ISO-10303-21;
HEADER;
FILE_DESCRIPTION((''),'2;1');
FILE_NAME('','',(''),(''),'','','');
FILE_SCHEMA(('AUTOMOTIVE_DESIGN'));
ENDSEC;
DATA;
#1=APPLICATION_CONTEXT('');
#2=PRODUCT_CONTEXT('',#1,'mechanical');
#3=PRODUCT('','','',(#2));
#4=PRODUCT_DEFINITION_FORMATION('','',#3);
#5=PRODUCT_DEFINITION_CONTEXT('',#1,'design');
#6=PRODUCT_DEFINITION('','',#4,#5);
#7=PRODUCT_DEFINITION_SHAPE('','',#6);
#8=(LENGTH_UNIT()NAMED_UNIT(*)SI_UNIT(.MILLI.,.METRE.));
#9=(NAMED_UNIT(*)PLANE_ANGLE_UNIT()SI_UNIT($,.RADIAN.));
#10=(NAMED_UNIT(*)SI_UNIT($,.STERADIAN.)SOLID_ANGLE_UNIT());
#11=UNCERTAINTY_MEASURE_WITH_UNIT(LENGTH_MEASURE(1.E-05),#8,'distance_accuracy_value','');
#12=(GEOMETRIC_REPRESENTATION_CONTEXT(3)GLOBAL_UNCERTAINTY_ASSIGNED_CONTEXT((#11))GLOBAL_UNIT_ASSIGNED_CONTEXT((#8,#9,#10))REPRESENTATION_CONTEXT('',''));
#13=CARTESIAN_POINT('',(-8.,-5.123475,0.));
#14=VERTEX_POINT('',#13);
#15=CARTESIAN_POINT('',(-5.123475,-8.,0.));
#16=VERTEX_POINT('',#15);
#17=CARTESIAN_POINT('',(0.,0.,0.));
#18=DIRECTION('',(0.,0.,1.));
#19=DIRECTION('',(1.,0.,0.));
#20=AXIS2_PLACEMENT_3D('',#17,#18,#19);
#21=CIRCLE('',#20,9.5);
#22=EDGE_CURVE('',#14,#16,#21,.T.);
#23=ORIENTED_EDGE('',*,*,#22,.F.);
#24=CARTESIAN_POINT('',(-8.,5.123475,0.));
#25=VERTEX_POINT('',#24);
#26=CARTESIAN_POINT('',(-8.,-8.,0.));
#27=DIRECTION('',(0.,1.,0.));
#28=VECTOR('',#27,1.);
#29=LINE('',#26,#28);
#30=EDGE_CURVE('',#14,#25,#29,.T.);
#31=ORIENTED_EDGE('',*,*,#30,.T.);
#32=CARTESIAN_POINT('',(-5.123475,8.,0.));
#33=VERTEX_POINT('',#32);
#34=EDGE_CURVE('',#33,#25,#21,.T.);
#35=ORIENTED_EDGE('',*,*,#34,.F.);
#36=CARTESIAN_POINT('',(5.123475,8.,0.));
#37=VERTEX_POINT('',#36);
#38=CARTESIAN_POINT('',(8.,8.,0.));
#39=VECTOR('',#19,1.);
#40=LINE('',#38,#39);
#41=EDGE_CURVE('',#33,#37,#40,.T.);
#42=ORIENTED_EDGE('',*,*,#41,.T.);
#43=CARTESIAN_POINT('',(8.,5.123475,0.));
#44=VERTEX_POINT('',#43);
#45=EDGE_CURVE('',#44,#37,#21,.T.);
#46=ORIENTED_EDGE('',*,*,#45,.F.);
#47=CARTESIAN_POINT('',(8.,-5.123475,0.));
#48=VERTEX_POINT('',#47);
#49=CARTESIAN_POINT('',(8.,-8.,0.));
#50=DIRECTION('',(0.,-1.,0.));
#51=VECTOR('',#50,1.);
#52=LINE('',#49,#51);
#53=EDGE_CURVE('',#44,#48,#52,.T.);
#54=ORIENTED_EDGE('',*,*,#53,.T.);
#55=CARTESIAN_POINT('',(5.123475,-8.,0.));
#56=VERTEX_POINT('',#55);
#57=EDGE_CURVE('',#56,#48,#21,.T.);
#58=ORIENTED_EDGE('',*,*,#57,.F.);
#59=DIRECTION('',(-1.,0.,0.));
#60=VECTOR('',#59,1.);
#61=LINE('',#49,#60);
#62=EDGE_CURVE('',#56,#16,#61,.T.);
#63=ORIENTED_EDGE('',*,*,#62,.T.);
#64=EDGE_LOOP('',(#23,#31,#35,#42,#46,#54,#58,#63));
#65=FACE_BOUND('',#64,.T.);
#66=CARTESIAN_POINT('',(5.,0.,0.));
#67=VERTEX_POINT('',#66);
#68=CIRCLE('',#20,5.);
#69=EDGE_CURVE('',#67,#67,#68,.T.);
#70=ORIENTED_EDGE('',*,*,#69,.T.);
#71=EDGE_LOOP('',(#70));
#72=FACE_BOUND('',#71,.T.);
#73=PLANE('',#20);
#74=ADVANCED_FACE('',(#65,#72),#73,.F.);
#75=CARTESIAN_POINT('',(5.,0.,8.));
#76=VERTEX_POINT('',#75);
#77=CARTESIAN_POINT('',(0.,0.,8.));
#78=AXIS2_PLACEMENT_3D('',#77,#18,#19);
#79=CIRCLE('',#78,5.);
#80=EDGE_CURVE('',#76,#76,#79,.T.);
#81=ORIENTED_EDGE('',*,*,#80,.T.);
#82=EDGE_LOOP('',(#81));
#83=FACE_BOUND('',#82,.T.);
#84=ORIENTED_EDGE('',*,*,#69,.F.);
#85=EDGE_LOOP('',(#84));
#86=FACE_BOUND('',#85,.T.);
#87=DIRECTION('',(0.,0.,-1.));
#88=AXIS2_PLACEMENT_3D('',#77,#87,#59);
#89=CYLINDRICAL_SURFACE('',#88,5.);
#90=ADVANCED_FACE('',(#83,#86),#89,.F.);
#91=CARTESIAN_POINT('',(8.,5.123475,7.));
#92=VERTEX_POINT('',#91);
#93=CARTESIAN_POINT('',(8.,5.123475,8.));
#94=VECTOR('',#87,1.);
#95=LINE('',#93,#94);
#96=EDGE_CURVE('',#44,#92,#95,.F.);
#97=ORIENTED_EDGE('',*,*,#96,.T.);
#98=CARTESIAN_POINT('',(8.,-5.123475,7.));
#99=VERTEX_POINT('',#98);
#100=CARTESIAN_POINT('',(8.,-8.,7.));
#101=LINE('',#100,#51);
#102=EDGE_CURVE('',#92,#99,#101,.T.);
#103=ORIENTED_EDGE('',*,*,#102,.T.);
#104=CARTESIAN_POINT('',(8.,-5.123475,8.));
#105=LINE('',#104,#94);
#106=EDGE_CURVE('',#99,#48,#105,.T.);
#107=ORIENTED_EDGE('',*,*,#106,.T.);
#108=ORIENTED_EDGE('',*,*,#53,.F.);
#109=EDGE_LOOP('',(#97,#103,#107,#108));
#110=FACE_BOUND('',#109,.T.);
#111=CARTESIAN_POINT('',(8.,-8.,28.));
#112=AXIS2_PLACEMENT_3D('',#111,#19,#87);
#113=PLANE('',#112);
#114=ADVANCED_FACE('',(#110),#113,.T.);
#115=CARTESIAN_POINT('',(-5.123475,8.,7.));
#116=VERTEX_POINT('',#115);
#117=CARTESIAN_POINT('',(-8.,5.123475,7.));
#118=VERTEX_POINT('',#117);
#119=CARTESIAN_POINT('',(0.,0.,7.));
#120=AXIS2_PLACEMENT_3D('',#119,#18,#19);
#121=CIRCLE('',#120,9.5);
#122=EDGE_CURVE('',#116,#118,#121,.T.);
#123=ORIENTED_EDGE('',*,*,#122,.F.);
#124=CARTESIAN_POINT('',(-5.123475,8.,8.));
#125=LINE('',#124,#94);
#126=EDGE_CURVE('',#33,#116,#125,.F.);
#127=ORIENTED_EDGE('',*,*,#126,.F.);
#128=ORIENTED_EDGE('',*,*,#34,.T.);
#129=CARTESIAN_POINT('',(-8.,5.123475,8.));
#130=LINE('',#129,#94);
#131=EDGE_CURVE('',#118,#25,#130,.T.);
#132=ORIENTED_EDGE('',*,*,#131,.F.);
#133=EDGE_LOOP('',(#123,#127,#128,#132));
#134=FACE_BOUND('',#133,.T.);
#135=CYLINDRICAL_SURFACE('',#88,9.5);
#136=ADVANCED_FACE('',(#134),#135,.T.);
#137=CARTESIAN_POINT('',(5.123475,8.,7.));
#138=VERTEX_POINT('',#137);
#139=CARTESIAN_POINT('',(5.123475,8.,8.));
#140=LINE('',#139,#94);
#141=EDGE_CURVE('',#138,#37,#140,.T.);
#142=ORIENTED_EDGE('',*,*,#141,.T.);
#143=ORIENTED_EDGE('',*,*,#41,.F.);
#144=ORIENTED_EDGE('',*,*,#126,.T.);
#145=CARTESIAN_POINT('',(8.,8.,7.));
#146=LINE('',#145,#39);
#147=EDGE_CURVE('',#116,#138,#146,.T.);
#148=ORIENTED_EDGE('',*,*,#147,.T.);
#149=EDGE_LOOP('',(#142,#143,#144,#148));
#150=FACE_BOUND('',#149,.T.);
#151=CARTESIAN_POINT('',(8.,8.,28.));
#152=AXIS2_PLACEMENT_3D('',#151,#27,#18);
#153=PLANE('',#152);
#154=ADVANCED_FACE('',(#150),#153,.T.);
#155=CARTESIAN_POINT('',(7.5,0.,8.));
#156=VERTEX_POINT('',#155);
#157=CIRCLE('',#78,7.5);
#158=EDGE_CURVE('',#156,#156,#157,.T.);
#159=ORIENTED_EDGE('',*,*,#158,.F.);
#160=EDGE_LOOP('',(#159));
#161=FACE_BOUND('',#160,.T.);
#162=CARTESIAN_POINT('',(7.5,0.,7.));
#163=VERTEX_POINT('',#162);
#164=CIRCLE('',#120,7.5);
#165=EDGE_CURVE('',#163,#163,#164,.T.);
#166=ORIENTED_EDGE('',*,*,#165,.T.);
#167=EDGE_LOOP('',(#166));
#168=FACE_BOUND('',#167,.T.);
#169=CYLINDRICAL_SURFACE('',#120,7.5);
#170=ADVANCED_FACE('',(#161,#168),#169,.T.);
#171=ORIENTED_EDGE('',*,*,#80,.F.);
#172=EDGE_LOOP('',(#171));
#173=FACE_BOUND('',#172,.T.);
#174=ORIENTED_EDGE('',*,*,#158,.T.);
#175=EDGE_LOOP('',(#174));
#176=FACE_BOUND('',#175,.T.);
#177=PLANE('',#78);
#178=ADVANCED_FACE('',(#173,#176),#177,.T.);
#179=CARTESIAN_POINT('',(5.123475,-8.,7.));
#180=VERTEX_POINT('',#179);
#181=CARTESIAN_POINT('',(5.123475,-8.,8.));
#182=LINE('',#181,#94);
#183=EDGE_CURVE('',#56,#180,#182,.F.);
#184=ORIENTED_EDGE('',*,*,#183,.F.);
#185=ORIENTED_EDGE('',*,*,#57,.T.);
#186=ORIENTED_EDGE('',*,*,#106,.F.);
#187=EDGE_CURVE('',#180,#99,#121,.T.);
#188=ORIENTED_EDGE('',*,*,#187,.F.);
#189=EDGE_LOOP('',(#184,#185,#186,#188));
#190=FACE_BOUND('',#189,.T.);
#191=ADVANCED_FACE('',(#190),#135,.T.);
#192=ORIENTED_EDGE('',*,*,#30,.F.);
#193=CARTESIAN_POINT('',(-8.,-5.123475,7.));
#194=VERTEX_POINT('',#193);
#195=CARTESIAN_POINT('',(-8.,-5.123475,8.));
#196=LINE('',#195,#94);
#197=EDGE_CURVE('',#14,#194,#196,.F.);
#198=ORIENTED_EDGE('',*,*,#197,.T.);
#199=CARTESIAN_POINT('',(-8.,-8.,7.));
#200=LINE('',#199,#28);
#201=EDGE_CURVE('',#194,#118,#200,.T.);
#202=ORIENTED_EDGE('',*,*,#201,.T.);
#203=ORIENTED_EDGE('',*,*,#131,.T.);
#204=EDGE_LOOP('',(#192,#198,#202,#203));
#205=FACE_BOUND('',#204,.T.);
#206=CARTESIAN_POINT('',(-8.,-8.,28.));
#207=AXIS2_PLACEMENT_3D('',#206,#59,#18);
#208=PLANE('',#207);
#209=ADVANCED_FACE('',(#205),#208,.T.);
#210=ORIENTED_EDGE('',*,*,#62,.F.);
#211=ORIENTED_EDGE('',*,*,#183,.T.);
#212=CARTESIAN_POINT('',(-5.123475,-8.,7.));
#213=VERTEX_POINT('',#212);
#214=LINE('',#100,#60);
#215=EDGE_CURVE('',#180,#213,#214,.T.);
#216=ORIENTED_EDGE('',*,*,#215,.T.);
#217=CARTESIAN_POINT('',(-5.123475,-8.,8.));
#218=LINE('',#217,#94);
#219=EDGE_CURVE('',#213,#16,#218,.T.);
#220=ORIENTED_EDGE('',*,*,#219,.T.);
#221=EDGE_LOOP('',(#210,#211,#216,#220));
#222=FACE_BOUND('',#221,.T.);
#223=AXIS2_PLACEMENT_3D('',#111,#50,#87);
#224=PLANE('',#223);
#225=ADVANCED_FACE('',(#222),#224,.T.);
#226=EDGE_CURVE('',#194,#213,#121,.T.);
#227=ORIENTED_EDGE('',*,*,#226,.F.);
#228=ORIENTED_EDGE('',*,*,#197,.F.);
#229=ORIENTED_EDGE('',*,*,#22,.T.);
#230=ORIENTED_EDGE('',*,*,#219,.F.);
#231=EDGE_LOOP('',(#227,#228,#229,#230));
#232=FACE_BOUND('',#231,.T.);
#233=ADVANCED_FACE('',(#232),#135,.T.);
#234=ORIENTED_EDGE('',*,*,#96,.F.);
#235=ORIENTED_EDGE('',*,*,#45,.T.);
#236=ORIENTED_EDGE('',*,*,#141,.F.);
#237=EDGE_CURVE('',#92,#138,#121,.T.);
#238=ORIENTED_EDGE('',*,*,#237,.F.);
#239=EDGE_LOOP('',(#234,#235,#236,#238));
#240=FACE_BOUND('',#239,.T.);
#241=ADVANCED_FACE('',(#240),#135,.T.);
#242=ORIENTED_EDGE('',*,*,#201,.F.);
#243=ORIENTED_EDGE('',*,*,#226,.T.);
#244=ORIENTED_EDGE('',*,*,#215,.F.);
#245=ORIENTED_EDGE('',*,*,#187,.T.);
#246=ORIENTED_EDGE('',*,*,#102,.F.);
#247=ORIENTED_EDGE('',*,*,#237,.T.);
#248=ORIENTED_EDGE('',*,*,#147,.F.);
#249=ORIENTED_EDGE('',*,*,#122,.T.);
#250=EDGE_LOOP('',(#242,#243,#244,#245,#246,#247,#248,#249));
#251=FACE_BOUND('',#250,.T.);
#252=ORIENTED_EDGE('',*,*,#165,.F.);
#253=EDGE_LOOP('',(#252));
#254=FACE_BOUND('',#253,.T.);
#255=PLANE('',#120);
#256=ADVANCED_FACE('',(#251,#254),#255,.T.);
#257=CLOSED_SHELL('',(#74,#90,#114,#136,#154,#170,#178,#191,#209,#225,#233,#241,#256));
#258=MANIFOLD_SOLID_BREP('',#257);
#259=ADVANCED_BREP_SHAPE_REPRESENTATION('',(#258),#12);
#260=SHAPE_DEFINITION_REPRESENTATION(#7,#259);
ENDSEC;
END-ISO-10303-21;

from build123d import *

# Parameters (mm, degrees)
SKIZZE1_R                       = 9.5
SKIZZE1_R_2                     = 5
AUFSATZ_LINEAR_AUSTRAGEN1_DEPTH = 8
SKIZZE2_OUTSIDE_W               = 26.608
SKIZZE2_OUTSIDE_H               = 26.608
SKIZZE2_OUTSIDE_W_2             = 16
SKIZZE2_OUTSIDE_H_2             = 16
SCHNITT_LINEAR_AUSTRAGEN1_DEPTH = 28
SKIZZE3_OUTSIDE_W               = 22.8
SKIZZE3_OUTSIDE_H               = 22.8
SKIZZE3_OUTSIDE_R               = 7.5
SCHNITT_LINEAR_AUSTRAGEN2_DEPTH = 1


with BuildPart() as part:
    # Skizze1 → Aufsatz-Linear austragen1 (new body)
    with BuildSketch(Plane.XY):
        Circle(SKIZZE1_R)
        Circle(SKIZZE1_R_2, mode=Mode.SUBTRACT)
    extrude(amount=AUFSATZ_LINEAR_AUSTRAGEN1_DEPTH)

    # Skizze2 outside → Schnitt-Linear austragen1 (cut)
    with BuildSketch(Plane(origin=(0, 0, 0), x_dir=(-1, 0, 0), z_dir=(0, 0, -1))):
        Rectangle(SKIZZE2_OUTSIDE_W, SKIZZE2_OUTSIDE_H)
        Rectangle(SKIZZE2_OUTSIDE_W_2, SKIZZE2_OUTSIDE_H_2, mode=Mode.SUBTRACT)
    extrude(amount=-SCHNITT_LINEAR_AUSTRAGEN1_DEPTH, mode=Mode.SUBTRACT)

    # Skizze3 outside → Schnitt-Linear austragen2 (cut)
    with BuildSketch(Plane.XY.offset(8)):
        Rectangle(SKIZZE3_OUTSIDE_W, SKIZZE3_OUTSIDE_H)
        Circle(SKIZZE3_OUTSIDE_R, mode=Mode.SUBTRACT)
    extrude(amount=-SCHNITT_LINEAR_AUSTRAGEN2_DEPTH, mode=Mode.SUBTRACT)


solid = part.part
